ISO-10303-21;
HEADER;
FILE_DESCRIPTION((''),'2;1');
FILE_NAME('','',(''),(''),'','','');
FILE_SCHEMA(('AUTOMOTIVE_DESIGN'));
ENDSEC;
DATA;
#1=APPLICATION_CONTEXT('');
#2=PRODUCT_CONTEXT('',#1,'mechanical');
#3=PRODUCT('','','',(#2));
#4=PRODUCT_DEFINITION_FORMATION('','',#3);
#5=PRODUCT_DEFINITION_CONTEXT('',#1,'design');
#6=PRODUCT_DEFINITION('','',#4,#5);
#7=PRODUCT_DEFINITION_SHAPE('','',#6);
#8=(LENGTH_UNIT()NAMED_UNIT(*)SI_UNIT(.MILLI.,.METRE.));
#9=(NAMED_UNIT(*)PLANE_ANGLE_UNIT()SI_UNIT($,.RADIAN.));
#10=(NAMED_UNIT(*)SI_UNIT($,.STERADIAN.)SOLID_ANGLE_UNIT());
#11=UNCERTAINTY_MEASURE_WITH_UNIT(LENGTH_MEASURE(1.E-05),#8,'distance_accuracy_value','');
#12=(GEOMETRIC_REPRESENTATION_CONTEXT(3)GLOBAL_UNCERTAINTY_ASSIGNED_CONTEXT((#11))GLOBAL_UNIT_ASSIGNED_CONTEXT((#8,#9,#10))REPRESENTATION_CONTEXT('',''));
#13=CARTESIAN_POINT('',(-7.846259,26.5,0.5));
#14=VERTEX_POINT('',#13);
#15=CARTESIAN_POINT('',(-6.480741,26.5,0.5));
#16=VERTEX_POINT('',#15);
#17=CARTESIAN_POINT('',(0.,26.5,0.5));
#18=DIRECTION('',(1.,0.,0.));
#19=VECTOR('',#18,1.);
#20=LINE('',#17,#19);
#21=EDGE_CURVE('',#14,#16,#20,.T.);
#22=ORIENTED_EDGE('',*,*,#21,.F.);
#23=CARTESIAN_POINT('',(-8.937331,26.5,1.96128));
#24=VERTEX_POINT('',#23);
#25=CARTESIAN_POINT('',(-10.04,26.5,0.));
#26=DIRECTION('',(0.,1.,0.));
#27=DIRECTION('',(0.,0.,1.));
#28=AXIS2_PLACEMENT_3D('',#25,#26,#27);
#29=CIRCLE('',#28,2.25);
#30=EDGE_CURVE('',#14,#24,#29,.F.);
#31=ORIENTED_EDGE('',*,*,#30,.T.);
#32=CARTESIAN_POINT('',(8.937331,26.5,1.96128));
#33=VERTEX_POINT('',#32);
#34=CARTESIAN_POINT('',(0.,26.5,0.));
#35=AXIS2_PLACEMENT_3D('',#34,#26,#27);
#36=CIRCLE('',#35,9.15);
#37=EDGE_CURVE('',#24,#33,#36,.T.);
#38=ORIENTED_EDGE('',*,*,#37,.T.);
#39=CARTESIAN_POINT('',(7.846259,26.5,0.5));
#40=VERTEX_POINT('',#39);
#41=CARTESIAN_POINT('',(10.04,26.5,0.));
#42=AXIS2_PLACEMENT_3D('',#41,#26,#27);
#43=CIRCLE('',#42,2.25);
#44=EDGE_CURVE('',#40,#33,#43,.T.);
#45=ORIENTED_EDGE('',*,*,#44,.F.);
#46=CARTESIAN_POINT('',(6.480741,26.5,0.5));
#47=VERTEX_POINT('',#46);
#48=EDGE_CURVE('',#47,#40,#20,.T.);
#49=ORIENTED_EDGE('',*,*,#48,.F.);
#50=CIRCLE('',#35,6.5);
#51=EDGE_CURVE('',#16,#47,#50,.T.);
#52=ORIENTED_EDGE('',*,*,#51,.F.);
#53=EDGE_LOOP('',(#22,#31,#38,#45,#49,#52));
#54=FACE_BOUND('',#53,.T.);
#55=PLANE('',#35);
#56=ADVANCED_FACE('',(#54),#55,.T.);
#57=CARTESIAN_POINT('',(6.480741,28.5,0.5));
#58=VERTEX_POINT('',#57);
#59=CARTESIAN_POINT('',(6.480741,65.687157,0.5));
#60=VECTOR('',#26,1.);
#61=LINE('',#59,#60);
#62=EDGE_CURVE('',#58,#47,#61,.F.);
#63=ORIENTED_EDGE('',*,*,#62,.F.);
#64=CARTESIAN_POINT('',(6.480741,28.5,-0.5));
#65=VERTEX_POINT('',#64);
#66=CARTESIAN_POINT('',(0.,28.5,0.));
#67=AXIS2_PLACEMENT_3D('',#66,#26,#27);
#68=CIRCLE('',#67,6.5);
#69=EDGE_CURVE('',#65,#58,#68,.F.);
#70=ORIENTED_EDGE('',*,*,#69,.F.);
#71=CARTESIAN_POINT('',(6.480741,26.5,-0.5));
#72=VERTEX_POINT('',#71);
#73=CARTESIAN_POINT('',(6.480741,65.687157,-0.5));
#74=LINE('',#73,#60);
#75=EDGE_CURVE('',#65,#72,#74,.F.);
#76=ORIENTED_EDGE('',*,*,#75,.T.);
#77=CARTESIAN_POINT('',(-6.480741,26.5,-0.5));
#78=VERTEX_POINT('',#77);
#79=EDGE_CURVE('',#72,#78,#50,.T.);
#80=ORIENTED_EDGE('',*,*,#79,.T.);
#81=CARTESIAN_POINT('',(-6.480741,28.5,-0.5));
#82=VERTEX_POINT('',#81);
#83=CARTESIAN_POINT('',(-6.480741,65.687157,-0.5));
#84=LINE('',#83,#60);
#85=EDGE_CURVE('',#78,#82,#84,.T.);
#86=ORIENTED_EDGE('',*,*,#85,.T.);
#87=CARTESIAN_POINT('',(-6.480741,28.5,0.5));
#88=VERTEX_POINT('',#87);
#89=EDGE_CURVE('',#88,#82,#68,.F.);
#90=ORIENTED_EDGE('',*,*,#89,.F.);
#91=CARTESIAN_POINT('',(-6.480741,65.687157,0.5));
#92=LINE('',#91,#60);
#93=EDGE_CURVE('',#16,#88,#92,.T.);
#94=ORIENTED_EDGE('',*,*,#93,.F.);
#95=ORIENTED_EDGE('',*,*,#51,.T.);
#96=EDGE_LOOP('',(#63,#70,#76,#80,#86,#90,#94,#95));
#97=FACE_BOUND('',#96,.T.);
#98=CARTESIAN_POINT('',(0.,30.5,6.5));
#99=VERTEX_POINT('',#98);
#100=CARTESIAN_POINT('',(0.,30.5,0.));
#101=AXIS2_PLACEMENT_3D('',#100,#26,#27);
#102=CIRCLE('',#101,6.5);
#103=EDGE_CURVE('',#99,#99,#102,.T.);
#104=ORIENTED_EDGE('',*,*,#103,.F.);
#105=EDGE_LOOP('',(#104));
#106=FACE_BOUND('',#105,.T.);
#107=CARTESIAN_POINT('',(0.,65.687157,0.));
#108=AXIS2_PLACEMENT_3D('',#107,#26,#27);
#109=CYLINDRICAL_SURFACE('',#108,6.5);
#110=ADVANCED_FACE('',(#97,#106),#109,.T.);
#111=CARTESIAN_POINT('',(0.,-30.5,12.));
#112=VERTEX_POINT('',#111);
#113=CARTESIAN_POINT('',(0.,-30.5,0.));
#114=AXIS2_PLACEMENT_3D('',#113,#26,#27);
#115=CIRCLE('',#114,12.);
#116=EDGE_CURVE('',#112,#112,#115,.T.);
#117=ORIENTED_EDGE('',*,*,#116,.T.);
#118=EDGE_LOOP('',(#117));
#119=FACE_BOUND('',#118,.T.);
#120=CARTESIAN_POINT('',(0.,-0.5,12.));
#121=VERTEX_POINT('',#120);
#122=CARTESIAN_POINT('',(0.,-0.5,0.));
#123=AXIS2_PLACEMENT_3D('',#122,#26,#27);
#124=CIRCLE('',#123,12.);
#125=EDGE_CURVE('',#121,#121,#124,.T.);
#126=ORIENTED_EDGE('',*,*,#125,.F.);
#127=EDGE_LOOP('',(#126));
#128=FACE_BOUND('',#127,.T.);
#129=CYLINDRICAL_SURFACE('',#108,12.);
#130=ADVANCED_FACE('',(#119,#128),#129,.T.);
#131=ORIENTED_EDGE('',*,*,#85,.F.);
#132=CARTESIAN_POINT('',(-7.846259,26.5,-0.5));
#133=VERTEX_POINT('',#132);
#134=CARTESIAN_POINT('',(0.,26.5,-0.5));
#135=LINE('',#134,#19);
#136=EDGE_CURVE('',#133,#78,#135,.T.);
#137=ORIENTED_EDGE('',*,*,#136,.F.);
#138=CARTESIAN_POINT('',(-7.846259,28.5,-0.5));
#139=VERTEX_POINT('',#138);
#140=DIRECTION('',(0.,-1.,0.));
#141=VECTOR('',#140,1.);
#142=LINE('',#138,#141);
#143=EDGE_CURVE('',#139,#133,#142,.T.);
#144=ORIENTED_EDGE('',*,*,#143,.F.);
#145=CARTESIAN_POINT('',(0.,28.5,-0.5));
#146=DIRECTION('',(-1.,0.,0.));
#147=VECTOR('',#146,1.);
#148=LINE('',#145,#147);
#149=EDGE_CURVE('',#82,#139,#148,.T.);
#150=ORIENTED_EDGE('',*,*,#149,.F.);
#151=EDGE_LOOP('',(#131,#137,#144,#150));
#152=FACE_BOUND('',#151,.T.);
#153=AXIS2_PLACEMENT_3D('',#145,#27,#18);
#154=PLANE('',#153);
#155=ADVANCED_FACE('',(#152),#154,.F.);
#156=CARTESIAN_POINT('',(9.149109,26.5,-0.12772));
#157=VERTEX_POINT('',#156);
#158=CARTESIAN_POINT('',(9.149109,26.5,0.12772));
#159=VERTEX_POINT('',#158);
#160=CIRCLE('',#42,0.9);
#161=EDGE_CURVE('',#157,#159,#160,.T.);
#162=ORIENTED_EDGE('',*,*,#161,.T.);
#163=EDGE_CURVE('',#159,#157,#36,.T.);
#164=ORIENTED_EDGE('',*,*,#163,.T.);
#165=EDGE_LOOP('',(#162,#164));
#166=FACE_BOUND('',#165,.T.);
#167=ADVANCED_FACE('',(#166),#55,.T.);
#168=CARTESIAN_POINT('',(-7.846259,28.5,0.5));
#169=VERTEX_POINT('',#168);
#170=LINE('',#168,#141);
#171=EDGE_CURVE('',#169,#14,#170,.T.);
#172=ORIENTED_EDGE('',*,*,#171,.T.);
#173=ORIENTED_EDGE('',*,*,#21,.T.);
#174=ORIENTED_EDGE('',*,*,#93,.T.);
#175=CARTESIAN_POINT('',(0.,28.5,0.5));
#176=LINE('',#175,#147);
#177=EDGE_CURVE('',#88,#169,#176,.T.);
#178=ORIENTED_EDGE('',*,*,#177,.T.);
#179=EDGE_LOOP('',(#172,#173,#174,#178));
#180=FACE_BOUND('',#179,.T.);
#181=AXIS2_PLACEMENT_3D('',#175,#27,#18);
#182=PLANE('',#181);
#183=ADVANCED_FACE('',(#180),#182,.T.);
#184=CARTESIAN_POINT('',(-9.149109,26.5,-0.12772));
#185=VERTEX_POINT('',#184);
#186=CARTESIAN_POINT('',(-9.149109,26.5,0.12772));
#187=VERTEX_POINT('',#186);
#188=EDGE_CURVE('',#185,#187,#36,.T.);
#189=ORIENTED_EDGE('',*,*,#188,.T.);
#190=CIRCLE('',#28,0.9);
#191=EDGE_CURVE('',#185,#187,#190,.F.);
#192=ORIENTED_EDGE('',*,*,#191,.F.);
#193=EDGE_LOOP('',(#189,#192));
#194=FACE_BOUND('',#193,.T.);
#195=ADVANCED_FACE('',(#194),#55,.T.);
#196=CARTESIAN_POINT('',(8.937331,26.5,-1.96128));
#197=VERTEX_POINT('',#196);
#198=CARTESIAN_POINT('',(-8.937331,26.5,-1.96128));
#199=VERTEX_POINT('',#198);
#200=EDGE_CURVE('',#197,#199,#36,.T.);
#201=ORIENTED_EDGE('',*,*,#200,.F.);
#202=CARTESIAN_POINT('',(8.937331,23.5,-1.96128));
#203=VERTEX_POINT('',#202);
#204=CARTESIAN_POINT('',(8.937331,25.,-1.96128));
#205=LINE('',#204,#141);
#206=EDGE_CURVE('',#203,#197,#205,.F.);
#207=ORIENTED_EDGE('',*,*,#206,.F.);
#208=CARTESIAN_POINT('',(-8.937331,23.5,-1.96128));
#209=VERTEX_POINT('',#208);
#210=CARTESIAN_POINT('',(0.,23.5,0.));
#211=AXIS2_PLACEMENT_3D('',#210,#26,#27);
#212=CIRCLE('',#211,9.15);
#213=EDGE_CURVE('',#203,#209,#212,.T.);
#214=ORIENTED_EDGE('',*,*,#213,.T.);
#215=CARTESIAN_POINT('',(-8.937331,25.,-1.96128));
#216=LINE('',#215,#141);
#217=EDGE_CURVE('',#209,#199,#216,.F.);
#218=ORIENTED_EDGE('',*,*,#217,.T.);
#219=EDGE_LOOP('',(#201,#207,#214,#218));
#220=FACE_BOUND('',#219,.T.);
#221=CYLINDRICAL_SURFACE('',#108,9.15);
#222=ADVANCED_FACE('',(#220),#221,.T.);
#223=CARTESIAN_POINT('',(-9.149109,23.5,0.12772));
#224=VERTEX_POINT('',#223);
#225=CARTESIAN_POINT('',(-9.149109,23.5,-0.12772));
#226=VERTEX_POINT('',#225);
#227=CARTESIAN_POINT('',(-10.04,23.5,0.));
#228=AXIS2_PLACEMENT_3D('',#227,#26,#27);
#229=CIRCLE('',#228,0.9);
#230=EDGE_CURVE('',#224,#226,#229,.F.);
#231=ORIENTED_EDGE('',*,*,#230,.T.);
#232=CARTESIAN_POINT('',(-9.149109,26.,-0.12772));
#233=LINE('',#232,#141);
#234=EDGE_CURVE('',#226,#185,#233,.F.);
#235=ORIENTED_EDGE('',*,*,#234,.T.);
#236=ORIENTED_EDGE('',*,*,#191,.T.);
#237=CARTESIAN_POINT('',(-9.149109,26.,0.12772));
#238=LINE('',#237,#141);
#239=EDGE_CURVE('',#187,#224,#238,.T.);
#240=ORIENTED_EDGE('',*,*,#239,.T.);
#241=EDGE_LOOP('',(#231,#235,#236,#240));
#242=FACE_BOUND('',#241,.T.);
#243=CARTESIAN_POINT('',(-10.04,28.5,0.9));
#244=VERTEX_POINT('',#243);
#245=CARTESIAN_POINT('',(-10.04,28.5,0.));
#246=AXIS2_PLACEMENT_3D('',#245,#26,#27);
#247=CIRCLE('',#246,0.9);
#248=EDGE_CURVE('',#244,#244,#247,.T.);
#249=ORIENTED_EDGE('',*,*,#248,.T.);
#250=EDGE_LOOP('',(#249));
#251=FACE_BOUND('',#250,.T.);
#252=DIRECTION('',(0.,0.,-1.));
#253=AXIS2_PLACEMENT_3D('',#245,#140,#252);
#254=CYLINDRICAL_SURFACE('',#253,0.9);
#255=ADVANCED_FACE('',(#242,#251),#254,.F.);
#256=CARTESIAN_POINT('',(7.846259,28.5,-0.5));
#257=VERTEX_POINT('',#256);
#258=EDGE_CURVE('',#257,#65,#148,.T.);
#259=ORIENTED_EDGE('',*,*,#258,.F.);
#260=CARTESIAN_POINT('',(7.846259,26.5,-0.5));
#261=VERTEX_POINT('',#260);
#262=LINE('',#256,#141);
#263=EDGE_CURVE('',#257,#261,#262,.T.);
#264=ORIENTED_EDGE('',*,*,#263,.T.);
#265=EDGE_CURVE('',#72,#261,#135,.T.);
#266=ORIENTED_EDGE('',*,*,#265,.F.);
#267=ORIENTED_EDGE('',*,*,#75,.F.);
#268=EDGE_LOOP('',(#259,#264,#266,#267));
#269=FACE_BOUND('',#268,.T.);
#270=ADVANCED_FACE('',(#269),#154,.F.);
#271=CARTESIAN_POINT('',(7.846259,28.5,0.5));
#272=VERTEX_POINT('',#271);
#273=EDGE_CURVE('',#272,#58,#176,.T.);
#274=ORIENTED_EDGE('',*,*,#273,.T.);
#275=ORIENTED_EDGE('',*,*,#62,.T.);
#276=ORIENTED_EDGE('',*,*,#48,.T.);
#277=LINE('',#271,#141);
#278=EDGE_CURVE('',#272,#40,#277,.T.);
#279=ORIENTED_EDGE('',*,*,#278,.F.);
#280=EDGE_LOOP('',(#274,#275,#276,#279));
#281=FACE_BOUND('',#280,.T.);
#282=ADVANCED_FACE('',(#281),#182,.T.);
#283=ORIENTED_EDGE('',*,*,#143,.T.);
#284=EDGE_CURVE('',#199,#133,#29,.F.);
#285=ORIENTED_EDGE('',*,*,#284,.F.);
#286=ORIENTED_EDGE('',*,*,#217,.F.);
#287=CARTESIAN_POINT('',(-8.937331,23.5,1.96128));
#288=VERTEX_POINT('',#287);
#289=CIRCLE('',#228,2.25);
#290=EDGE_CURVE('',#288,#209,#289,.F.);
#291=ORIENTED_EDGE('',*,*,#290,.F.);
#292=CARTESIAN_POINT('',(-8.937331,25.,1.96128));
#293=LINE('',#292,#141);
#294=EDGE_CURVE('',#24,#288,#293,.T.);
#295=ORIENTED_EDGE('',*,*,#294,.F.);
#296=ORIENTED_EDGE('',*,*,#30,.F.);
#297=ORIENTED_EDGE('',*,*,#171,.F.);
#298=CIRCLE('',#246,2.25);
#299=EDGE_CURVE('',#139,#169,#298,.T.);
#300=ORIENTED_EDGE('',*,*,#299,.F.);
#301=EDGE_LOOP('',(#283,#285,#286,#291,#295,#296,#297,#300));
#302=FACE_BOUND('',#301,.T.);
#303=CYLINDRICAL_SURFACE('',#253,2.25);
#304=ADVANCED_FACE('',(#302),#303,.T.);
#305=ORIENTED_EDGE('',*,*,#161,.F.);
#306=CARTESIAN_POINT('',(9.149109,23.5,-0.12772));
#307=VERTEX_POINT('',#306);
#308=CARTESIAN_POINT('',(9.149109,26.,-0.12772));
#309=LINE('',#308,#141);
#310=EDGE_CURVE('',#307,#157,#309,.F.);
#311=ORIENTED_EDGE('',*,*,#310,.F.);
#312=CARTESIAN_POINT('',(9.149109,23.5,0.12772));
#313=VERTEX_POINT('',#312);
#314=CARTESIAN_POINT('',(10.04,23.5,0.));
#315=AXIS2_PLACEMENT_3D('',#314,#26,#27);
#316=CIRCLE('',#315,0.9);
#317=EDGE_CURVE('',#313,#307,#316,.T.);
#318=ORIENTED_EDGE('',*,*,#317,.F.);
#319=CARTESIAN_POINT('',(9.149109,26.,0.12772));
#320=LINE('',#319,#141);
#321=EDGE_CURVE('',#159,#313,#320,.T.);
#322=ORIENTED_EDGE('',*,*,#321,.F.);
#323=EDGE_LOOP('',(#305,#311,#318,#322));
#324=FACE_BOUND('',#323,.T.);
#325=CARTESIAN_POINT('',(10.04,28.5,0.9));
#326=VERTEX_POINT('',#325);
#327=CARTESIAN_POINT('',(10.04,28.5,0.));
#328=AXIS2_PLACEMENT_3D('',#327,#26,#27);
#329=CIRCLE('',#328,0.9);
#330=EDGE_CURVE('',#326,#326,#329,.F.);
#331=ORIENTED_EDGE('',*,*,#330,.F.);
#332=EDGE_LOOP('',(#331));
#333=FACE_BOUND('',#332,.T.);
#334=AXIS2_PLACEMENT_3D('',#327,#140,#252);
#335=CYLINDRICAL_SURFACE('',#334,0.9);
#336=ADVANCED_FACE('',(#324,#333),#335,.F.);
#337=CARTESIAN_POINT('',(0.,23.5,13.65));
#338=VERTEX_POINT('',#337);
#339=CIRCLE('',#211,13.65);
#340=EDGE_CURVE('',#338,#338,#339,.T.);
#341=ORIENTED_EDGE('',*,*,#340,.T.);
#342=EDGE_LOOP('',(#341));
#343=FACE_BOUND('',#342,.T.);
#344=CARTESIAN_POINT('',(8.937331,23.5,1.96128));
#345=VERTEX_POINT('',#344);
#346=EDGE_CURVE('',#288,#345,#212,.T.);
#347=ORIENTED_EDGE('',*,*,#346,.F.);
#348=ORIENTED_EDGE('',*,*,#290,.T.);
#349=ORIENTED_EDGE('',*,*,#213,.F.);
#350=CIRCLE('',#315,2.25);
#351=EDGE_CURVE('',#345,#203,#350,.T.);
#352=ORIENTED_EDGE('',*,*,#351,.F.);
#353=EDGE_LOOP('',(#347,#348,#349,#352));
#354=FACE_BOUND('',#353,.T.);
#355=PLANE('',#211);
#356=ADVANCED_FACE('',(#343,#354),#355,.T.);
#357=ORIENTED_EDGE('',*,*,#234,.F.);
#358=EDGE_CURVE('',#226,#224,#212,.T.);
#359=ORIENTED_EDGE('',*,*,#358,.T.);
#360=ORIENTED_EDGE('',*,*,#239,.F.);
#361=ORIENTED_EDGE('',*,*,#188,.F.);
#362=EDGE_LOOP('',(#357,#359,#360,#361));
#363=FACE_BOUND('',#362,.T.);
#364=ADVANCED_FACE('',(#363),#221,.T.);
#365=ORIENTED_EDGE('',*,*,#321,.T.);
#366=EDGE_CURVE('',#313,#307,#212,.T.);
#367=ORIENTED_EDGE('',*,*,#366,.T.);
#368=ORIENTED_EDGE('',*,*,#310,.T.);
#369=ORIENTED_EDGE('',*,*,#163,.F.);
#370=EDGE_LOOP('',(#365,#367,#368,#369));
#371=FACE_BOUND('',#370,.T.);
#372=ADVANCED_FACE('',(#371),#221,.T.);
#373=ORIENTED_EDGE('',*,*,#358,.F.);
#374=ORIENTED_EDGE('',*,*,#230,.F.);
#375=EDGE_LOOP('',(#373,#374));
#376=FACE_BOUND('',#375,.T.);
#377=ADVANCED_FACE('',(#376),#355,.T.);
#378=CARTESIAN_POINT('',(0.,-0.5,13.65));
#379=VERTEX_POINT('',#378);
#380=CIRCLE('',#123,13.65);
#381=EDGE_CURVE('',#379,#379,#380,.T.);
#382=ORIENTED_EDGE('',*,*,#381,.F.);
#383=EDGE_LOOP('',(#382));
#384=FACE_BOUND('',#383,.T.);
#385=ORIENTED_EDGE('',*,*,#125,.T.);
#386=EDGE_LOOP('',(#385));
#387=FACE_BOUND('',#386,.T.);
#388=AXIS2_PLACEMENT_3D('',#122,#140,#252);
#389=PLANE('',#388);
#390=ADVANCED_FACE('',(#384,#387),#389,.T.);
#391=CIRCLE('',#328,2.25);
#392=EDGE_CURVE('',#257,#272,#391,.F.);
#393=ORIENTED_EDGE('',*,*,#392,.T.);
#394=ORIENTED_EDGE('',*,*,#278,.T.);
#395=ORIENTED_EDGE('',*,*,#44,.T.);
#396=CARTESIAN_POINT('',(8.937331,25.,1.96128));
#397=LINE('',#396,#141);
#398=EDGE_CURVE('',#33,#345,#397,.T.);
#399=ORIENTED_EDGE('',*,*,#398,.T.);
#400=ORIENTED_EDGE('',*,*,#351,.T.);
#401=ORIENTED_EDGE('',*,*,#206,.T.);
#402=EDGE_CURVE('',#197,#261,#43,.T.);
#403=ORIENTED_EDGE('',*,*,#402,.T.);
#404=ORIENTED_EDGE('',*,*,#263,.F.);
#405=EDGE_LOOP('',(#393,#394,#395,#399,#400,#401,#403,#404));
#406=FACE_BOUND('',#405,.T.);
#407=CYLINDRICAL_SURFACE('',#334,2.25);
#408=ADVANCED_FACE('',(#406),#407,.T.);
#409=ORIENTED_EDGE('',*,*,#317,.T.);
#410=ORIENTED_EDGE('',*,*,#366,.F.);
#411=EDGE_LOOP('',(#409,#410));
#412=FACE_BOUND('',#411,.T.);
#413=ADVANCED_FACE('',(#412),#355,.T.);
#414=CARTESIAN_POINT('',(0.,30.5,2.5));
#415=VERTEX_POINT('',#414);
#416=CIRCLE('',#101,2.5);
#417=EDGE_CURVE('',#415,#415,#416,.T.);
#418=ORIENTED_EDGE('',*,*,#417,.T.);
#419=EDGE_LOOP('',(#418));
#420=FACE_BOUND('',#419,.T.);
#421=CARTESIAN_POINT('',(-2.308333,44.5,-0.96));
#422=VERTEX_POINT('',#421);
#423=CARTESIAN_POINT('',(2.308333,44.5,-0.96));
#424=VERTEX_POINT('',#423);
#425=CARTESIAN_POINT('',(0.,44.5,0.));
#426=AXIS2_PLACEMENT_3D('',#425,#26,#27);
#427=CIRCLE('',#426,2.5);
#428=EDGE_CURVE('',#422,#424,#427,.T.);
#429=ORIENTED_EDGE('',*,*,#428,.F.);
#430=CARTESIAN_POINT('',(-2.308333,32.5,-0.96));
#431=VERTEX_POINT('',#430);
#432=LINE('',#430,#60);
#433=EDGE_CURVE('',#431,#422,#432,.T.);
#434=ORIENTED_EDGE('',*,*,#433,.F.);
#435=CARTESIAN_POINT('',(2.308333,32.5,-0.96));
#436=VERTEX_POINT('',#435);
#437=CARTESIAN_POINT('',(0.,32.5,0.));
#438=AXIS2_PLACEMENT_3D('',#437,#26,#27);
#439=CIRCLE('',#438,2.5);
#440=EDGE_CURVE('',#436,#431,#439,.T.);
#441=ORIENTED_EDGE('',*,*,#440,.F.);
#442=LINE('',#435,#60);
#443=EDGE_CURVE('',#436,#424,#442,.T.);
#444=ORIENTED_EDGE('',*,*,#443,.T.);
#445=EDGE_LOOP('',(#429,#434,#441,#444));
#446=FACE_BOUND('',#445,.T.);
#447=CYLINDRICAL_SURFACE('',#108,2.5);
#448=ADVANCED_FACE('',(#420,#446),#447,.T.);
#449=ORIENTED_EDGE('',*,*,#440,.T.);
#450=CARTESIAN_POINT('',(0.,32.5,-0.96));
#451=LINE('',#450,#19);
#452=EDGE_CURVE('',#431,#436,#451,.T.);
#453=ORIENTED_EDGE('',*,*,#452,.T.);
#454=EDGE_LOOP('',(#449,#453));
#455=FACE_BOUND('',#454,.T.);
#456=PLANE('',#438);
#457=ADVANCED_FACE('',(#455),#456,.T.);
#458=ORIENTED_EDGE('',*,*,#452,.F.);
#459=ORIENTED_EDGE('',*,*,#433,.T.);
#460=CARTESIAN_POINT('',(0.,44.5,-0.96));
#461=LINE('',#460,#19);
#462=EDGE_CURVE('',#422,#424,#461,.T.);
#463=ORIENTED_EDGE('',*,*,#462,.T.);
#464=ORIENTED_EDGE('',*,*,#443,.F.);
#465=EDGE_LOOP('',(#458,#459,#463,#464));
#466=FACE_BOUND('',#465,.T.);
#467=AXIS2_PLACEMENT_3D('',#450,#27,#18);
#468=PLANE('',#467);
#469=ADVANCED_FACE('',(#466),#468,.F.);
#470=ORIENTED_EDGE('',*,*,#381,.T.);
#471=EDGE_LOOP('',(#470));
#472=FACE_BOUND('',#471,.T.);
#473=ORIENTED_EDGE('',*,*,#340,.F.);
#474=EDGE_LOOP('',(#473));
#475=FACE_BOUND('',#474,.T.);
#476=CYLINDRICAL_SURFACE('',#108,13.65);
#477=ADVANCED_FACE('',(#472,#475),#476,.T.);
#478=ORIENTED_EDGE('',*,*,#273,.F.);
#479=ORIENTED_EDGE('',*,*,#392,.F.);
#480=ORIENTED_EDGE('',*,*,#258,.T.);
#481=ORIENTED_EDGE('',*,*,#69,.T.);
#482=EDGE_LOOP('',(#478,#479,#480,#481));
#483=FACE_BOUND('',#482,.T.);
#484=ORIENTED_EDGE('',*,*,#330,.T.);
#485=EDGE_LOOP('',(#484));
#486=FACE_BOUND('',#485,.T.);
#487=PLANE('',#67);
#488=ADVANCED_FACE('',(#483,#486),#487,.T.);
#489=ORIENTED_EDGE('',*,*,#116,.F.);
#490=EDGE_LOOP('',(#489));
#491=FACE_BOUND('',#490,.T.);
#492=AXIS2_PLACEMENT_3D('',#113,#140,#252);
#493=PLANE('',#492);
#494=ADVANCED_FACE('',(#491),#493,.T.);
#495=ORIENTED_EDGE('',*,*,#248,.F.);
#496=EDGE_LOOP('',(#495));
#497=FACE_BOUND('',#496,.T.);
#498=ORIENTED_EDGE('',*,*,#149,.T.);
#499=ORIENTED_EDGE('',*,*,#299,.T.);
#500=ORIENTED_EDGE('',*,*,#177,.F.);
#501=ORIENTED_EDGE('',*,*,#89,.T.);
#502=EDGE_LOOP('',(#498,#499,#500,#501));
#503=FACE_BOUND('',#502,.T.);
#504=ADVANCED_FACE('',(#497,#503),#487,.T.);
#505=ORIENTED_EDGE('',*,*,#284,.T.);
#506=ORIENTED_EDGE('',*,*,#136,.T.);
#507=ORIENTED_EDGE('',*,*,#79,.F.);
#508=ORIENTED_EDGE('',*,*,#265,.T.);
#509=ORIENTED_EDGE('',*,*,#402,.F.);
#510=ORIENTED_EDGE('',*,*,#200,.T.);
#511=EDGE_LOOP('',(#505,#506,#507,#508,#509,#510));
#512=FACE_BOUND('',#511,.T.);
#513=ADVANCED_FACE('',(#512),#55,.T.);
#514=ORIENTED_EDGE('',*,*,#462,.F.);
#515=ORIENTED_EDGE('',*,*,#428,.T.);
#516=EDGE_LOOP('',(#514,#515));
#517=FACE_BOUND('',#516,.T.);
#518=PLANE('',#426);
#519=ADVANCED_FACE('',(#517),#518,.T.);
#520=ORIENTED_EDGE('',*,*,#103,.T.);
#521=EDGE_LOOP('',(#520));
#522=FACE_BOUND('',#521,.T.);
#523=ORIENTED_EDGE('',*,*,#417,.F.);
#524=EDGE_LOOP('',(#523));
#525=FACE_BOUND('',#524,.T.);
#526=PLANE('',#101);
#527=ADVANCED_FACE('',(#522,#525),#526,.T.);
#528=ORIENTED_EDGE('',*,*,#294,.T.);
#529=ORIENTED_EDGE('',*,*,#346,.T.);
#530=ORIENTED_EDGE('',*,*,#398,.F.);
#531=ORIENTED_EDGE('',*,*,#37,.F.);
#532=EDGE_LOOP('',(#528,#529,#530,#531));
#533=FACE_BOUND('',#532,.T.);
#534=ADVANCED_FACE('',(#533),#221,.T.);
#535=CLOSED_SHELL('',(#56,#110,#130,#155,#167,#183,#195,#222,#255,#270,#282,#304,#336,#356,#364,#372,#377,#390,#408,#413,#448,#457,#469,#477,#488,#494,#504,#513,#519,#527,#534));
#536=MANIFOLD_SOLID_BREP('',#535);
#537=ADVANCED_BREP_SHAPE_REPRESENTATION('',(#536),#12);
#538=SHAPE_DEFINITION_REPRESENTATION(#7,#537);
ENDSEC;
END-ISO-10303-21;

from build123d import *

# Parameters (mm, degrees)
CROQUIS1_W              = 2.5
CROQUIS1_H              = 14
CORTAR_EXTRUIR1_DEPTH   = 12
CROQUIS4_R              = 2.25
CROQUIS4_R_2            = 0.9
CROQUIS4_W              = 18
CROQUIS4_H              = 1
SALIENTE_EXTRUIR1_DEPTH = 5


with BuildPart() as part:
    # Croquis1 → Revolución1 (revolve)
    with BuildSketch(Plane.XY):
        with Locations((-1.25, 37.5)):
            Rectangle(CROQUIS1_W, CROQUIS1_H)
        Polygon((-12, -30.5), (0, -30.5), (0, 30.5), (-6.5, 30.5), (-6.5, 26.5), (-9.15, 26.5), (-9.15, 23.5), (-13.65, 23.5), (-13.65, -0.5), (-12, -0.5), align=None)
    revolve(axis=Axis((0, 65.687156563, 0), (0, -1, 0)))

    # Croquis2 → Cortar-Extruir1 (cut)
    with BuildSketch(Plane(origin=(0, 44.5, 0), x_dir=(1, 0, 0), z_dir=(0, 1, 0))):
        Polygon((-55.580517034, 0.96), (-2.308332732, 0.96), (2.308332732, 0.96), (55.580517034, 0.96), (55.580517034, 107.504368605), (-55.580517034, 107.504368605), align=None)
    extrude(amount=-CORTAR_EXTRUIR1_DEPTH, mode=Mode.SUBTRACT)

    # Croquis4 → Saliente-Extruir1 (add)
    with BuildSketch(Plane(origin=(0, 23.5, 0), x_dir=(1, 0, 0), z_dir=(0, 1, 0))):
        with Locations((-10.04, 0)):
            Circle(CROQUIS4_R)
        with Locations((-10.04, 0)):
            Circle(CROQUIS4_R_2, mode=Mode.SUBTRACT)
        with Locations((10.04, 0)):
            Circle(CROQUIS4_R)
        with Locations((10.04, 0)):
            Circle(CROQUIS4_R_2, mode=Mode.SUBTRACT)
        Rectangle(CROQUIS4_W, CROQUIS4_H)
    extrude(amount=SALIENTE_EXTRUIR1_DEPTH)


solid = part.part
